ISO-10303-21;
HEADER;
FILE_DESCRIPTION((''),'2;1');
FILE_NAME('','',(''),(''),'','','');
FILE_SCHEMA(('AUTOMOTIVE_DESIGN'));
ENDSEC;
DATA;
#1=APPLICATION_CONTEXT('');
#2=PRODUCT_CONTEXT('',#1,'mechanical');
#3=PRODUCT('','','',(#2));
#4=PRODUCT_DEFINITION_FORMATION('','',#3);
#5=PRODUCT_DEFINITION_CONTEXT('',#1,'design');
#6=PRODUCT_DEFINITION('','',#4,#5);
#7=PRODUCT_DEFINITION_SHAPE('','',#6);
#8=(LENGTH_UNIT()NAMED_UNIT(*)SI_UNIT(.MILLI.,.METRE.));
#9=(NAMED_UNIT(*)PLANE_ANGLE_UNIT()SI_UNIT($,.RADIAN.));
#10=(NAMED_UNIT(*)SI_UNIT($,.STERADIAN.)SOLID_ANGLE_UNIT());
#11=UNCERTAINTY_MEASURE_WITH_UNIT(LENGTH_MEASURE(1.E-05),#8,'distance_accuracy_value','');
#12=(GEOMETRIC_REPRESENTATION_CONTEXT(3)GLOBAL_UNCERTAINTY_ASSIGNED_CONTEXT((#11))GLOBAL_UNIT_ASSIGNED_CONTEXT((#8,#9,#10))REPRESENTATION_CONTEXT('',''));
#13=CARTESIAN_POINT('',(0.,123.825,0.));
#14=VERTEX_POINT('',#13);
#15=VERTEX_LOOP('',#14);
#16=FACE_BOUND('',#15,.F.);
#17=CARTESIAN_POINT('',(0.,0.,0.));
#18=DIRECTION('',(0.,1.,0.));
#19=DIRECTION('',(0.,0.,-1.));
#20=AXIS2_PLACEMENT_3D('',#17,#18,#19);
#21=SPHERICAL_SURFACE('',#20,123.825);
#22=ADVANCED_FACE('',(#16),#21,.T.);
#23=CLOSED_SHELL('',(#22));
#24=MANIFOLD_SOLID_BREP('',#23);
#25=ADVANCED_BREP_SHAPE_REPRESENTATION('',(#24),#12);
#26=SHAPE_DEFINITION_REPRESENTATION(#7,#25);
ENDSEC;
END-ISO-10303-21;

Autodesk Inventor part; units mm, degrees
ref_plane "YZ Plane" through (0, 0, 0) normal (1, 0, 0) x (0, 1, 0)
ref_plane "XZ Plane" through (0, 0, 0) normal (0, 1, 0) x (-1, 0, 0)
ref_plane "XY Plane" through (0, 0, 0) normal (0, 0, 1) x (1, 0, 0)
sketch "Sketch1" plane through (0, 0, 0) normal (1, 0, 0) x (0, 1, 0)
  arc A0 (-123.825, 0) -> (123.825, 0) centre (0, 0) ccw
  line L0 (123.825, 0) -> (-123.825, 0)
  dimension "d1" = 90
revolve "Revolution1" add sketch "Sketch1" angle 360 about axis through (0, 123.825, 0) along (0, -1, 0)
properties part number "boulder"
